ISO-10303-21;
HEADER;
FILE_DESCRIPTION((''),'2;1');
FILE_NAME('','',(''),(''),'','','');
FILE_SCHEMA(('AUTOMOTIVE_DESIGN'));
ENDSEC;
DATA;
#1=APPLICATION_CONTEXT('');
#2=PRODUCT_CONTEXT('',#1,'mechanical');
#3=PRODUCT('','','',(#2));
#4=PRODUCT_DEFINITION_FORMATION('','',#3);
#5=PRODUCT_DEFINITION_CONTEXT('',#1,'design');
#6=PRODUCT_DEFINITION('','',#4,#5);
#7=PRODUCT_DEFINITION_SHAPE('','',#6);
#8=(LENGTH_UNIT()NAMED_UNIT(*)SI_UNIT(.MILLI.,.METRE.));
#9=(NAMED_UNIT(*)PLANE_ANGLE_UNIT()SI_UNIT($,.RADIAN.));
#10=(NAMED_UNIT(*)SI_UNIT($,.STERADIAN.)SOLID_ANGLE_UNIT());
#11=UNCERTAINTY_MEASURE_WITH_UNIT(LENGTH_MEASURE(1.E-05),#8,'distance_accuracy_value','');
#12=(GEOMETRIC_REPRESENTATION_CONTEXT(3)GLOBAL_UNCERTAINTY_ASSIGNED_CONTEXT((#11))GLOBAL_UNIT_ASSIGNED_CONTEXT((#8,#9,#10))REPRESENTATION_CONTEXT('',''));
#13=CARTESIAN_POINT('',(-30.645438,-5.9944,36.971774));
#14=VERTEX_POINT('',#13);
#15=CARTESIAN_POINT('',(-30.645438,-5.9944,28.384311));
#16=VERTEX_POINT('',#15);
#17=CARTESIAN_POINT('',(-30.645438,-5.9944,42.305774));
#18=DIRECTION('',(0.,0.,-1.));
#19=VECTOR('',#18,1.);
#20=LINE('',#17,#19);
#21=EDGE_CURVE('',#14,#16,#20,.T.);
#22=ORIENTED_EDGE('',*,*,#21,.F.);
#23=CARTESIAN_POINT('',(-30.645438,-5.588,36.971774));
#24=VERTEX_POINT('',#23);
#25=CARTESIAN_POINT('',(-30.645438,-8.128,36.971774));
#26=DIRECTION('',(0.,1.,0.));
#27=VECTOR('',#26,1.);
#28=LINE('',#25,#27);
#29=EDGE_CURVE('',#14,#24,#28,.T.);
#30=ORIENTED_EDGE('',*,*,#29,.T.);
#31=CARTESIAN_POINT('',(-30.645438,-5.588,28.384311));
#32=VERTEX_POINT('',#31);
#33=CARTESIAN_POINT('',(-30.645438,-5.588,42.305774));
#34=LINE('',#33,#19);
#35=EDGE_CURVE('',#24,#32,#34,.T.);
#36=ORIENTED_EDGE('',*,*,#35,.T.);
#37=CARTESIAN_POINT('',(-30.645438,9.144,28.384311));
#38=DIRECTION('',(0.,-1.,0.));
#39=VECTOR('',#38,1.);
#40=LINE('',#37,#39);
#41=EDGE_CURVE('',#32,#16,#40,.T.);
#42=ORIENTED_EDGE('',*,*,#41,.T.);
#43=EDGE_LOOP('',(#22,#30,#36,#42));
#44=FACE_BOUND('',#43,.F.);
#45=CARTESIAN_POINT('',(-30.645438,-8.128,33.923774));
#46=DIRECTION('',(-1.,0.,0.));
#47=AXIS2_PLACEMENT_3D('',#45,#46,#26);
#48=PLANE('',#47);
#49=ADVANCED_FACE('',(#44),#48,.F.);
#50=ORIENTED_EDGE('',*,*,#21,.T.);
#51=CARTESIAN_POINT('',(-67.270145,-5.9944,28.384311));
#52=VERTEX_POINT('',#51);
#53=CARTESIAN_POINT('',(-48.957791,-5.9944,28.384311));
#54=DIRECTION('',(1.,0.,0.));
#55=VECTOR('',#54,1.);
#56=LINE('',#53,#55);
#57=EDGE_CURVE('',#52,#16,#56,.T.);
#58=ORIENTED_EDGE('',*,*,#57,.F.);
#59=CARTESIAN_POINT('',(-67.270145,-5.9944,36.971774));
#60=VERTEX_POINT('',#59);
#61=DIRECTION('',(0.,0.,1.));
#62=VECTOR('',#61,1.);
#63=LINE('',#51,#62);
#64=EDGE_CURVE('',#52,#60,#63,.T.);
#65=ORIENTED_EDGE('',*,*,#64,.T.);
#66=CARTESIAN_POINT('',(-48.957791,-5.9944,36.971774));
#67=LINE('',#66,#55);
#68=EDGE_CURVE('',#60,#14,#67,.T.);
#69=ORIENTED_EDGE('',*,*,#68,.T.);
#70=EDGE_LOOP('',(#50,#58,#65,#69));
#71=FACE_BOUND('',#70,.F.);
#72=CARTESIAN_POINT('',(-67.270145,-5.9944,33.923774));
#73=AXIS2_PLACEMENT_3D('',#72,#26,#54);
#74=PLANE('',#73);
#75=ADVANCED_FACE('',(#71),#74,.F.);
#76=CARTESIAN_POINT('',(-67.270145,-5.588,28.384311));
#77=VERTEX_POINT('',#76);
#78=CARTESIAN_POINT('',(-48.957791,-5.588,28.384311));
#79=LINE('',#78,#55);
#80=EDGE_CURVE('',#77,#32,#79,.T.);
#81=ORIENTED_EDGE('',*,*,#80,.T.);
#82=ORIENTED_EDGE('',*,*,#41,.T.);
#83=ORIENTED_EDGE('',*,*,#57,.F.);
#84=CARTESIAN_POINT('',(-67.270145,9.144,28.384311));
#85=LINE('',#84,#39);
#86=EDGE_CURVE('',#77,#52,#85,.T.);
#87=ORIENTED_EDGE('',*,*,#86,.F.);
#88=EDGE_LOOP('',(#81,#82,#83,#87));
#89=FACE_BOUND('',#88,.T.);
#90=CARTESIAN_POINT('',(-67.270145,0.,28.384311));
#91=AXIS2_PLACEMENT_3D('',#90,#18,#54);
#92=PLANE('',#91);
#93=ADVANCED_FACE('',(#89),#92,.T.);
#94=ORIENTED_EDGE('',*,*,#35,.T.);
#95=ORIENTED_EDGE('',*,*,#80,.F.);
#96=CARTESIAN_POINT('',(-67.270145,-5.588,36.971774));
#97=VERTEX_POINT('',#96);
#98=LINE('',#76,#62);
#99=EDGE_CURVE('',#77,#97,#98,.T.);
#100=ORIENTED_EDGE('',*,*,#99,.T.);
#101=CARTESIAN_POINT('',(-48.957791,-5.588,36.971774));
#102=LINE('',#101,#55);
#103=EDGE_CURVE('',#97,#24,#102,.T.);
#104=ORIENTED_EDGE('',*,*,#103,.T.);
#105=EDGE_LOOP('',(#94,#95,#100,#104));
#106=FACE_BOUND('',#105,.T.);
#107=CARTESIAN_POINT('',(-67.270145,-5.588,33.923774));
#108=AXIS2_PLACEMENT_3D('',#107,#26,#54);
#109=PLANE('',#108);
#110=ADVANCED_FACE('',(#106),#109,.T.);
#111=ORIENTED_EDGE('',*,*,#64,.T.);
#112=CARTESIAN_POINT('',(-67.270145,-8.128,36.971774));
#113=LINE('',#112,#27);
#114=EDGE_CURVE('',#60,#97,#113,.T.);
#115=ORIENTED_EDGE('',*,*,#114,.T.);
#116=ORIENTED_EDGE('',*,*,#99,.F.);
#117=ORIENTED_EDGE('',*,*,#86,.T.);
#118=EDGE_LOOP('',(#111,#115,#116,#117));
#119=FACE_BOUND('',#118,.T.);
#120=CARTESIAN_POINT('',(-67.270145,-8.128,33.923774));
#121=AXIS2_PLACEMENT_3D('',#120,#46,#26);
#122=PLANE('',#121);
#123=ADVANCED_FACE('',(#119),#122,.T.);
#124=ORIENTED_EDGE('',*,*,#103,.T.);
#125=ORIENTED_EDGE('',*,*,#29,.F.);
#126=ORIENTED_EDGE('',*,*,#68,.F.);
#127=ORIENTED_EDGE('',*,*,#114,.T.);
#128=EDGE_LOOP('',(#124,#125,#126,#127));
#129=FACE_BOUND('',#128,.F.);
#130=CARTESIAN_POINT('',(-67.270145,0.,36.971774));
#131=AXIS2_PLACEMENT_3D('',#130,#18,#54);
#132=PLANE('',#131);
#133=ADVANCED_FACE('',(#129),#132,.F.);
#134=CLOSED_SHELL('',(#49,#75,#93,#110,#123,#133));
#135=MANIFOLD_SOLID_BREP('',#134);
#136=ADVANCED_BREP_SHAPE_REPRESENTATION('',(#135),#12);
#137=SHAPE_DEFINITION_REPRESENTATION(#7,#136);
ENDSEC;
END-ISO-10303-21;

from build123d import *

# Parameters (mm, degrees)
F0_W           = 50.8
F0_H           = 20.442858261
F1_DEPTH       = 1.4224
F2_W           = 59.6624054015
F2_H           = 15.4937258922
F2_W_2         = 57.630572468
F2_H_2         = 13.3588104509
F3_DEPTH       = 25.4
F6_W           = 36.6247072816
F6_H           = 14.4294630736
F7_DEPTH       = 3.81
F8_DEPTH       = 10.414
F9_W           = 36.6247072816
F9_H           = 14.224
F10_DEPTH      = 5.08
F10_DEPTH_BACK = 25.4
F11_DEPTH      = 6.096
F12_DEPTH      = 3.81
F13_DEPTH      = 9.144
F14_DEPTH      = 8.382
F15_DEPTH      = 4.318
F16_DEPTH      = 5.08
F17_DEPTH      = 2.032
F18_DEPTH      = 5.334
F19_DEPTH      = 3.302
F20_DEPTH      = 1.0414
F21_DEPTH      = 1.0922


with BuildPart() as f1:
    # F0 (on Front) → F1 (new body)
    with BuildSketch(Plane.XZ):
        with Locations((-71.1733810604, 46.5210825205)):
            Rectangle(F0_W, F0_H)
    extrude(amount=F1_DEPTH)


with BuildPart() as f3:
    # F2 (on Front) → F3 (new body)
    with BuildSketch(Plane.XZ):
        with Locations((-81.8801727146, 13.2793516386)):
            Rectangle(F2_W, F2_H)
        with Locations((-81.9890405983, 13.377974974)):
            Rectangle(F2_W_2, F2_H_2, mode=Mode.SUBTRACT)
    extrude(amount=F3_DEPTH)


with BuildPart() as f7:
    # F6 (on Front) → F7 (new body)
    with BuildSketch(Plane.XZ):
        with Locations((-48.9577911794, 35.5990426615)):
            Rectangle(F6_W, F6_H)
    extrude(amount=F7_DEPTH)

    # F8 (add): a face of the model
    f8_faces = [f7.faces().sort_by_distance(p)[0] for p in [
        (-48.9577911794, -3.81, 35.5990426615),
    ]]
    extrude(f8_faces, amount=F8_DEPTH)

    # F9 (on face) → F10 (cut, two sides)
    with BuildSketch(Plane.XY.offset(42.8137741983)) as f10_sk:
        with Locations((-48.9577911794, -7.112)):
            Rectangle(F9_W, F9_H)
    extrude(amount=-F10_DEPTH, mode=Mode.SUBTRACT)
    extrude(f10_sk.sketch, amount=F10_DEPTH_BACK, mode=Mode.SUBTRACT)

    # F11 (cut): a face of the model
    f11_faces = [f7.faces().sort_by_distance(p)[0] for p in [
        (-48.9577911794, -14.224, 33.0590426615),
    ]]
    extrude(f11_faces, amount=-F11_DEPTH, mode=Mode.SUBTRACT)

    # F12 (cut): a face of the model
    f12_faces = [f7.faces().sort_by_distance(p)[0] for p in [
        (-48.9577911794, -4.064, 37.7337741983),
    ]]
    extrude(f12_faces, amount=-F12_DEPTH, mode=Mode.SUBTRACT)

    # F13 (add): a face of the model
    f13_faces = [f7.faces().sort_by_distance(p)[0] for p in [
        (-48.9577911794, 0, 31.1540426615),
    ]]
    extrude(f13_faces, amount=F13_DEPTH)

    # F14 (add): a face of the model
    f14_faces = [f7.faces().sort_by_distance(p)[0] for p in [
        (-48.9577911794, 0.508, 33.9237741983),
    ]]
    extrude(f14_faces, amount=F14_DEPTH)

    # F15 (cut): a face of the model
    f15_faces = [f7.faces().sort_by_distance(p)[0] for p in [
        (-48.9577911794, 9.144, 35.3450426615),
    ]]
    extrude(f15_faces, amount=-F15_DEPTH, mode=Mode.SUBTRACT)

    # F16 (cut): a face of the model
    f16_faces = [f7.faces().sort_by_distance(p)[0] for p in [
        (-48.9577911794, 4.826, 35.3450426615),
    ]]
    extrude(f16_faces, amount=-F16_DEPTH, mode=Mode.SUBTRACT)

    # F17 (cut): a face of the model
    f17_faces = [f7.faces().sort_by_distance(p)[0] for p in [
        (-48.9577911794, -0.254, 35.3450426615),
    ]]
    extrude(f17_faces, amount=-F17_DEPTH, mode=Mode.SUBTRACT)

    # F18 (cut): a face of the model
    f18_faces = [f7.faces().sort_by_distance(p)[0] for p in [
        (-48.9577911794, -5.207, 42.3057741983),
    ]]
    extrude(f18_faces, amount=-F18_DEPTH, mode=Mode.SUBTRACT)

    # F19 (cut): a face of the model
    f19_faces = [f7.faces().sort_by_distance(p)[0] for p in [
        (-48.9577911794, -2.286, 32.6780426615),
    ]]
    extrude(f19_faces, amount=-F19_DEPTH, mode=Mode.SUBTRACT)

    # F20 (cut): a face of the model
    f20_faces = [f7.faces().sort_by_distance(p)[0] for p in [
        (-48.9577911794, -8.128, 32.6780426615),
    ]]
    extrude(f20_faces, amount=-F20_DEPTH, mode=Mode.SUBTRACT)

    # F21 (cut): a face of the model
    f21_faces = [f7.faces().sort_by_distance(p)[0] for p in [
        (-48.9577911794, -7.0866, 32.6780426615),
    ]]
    extrude(f21_faces, amount=-F21_DEPTH, mode=Mode.SUBTRACT)


solid = f7.part
